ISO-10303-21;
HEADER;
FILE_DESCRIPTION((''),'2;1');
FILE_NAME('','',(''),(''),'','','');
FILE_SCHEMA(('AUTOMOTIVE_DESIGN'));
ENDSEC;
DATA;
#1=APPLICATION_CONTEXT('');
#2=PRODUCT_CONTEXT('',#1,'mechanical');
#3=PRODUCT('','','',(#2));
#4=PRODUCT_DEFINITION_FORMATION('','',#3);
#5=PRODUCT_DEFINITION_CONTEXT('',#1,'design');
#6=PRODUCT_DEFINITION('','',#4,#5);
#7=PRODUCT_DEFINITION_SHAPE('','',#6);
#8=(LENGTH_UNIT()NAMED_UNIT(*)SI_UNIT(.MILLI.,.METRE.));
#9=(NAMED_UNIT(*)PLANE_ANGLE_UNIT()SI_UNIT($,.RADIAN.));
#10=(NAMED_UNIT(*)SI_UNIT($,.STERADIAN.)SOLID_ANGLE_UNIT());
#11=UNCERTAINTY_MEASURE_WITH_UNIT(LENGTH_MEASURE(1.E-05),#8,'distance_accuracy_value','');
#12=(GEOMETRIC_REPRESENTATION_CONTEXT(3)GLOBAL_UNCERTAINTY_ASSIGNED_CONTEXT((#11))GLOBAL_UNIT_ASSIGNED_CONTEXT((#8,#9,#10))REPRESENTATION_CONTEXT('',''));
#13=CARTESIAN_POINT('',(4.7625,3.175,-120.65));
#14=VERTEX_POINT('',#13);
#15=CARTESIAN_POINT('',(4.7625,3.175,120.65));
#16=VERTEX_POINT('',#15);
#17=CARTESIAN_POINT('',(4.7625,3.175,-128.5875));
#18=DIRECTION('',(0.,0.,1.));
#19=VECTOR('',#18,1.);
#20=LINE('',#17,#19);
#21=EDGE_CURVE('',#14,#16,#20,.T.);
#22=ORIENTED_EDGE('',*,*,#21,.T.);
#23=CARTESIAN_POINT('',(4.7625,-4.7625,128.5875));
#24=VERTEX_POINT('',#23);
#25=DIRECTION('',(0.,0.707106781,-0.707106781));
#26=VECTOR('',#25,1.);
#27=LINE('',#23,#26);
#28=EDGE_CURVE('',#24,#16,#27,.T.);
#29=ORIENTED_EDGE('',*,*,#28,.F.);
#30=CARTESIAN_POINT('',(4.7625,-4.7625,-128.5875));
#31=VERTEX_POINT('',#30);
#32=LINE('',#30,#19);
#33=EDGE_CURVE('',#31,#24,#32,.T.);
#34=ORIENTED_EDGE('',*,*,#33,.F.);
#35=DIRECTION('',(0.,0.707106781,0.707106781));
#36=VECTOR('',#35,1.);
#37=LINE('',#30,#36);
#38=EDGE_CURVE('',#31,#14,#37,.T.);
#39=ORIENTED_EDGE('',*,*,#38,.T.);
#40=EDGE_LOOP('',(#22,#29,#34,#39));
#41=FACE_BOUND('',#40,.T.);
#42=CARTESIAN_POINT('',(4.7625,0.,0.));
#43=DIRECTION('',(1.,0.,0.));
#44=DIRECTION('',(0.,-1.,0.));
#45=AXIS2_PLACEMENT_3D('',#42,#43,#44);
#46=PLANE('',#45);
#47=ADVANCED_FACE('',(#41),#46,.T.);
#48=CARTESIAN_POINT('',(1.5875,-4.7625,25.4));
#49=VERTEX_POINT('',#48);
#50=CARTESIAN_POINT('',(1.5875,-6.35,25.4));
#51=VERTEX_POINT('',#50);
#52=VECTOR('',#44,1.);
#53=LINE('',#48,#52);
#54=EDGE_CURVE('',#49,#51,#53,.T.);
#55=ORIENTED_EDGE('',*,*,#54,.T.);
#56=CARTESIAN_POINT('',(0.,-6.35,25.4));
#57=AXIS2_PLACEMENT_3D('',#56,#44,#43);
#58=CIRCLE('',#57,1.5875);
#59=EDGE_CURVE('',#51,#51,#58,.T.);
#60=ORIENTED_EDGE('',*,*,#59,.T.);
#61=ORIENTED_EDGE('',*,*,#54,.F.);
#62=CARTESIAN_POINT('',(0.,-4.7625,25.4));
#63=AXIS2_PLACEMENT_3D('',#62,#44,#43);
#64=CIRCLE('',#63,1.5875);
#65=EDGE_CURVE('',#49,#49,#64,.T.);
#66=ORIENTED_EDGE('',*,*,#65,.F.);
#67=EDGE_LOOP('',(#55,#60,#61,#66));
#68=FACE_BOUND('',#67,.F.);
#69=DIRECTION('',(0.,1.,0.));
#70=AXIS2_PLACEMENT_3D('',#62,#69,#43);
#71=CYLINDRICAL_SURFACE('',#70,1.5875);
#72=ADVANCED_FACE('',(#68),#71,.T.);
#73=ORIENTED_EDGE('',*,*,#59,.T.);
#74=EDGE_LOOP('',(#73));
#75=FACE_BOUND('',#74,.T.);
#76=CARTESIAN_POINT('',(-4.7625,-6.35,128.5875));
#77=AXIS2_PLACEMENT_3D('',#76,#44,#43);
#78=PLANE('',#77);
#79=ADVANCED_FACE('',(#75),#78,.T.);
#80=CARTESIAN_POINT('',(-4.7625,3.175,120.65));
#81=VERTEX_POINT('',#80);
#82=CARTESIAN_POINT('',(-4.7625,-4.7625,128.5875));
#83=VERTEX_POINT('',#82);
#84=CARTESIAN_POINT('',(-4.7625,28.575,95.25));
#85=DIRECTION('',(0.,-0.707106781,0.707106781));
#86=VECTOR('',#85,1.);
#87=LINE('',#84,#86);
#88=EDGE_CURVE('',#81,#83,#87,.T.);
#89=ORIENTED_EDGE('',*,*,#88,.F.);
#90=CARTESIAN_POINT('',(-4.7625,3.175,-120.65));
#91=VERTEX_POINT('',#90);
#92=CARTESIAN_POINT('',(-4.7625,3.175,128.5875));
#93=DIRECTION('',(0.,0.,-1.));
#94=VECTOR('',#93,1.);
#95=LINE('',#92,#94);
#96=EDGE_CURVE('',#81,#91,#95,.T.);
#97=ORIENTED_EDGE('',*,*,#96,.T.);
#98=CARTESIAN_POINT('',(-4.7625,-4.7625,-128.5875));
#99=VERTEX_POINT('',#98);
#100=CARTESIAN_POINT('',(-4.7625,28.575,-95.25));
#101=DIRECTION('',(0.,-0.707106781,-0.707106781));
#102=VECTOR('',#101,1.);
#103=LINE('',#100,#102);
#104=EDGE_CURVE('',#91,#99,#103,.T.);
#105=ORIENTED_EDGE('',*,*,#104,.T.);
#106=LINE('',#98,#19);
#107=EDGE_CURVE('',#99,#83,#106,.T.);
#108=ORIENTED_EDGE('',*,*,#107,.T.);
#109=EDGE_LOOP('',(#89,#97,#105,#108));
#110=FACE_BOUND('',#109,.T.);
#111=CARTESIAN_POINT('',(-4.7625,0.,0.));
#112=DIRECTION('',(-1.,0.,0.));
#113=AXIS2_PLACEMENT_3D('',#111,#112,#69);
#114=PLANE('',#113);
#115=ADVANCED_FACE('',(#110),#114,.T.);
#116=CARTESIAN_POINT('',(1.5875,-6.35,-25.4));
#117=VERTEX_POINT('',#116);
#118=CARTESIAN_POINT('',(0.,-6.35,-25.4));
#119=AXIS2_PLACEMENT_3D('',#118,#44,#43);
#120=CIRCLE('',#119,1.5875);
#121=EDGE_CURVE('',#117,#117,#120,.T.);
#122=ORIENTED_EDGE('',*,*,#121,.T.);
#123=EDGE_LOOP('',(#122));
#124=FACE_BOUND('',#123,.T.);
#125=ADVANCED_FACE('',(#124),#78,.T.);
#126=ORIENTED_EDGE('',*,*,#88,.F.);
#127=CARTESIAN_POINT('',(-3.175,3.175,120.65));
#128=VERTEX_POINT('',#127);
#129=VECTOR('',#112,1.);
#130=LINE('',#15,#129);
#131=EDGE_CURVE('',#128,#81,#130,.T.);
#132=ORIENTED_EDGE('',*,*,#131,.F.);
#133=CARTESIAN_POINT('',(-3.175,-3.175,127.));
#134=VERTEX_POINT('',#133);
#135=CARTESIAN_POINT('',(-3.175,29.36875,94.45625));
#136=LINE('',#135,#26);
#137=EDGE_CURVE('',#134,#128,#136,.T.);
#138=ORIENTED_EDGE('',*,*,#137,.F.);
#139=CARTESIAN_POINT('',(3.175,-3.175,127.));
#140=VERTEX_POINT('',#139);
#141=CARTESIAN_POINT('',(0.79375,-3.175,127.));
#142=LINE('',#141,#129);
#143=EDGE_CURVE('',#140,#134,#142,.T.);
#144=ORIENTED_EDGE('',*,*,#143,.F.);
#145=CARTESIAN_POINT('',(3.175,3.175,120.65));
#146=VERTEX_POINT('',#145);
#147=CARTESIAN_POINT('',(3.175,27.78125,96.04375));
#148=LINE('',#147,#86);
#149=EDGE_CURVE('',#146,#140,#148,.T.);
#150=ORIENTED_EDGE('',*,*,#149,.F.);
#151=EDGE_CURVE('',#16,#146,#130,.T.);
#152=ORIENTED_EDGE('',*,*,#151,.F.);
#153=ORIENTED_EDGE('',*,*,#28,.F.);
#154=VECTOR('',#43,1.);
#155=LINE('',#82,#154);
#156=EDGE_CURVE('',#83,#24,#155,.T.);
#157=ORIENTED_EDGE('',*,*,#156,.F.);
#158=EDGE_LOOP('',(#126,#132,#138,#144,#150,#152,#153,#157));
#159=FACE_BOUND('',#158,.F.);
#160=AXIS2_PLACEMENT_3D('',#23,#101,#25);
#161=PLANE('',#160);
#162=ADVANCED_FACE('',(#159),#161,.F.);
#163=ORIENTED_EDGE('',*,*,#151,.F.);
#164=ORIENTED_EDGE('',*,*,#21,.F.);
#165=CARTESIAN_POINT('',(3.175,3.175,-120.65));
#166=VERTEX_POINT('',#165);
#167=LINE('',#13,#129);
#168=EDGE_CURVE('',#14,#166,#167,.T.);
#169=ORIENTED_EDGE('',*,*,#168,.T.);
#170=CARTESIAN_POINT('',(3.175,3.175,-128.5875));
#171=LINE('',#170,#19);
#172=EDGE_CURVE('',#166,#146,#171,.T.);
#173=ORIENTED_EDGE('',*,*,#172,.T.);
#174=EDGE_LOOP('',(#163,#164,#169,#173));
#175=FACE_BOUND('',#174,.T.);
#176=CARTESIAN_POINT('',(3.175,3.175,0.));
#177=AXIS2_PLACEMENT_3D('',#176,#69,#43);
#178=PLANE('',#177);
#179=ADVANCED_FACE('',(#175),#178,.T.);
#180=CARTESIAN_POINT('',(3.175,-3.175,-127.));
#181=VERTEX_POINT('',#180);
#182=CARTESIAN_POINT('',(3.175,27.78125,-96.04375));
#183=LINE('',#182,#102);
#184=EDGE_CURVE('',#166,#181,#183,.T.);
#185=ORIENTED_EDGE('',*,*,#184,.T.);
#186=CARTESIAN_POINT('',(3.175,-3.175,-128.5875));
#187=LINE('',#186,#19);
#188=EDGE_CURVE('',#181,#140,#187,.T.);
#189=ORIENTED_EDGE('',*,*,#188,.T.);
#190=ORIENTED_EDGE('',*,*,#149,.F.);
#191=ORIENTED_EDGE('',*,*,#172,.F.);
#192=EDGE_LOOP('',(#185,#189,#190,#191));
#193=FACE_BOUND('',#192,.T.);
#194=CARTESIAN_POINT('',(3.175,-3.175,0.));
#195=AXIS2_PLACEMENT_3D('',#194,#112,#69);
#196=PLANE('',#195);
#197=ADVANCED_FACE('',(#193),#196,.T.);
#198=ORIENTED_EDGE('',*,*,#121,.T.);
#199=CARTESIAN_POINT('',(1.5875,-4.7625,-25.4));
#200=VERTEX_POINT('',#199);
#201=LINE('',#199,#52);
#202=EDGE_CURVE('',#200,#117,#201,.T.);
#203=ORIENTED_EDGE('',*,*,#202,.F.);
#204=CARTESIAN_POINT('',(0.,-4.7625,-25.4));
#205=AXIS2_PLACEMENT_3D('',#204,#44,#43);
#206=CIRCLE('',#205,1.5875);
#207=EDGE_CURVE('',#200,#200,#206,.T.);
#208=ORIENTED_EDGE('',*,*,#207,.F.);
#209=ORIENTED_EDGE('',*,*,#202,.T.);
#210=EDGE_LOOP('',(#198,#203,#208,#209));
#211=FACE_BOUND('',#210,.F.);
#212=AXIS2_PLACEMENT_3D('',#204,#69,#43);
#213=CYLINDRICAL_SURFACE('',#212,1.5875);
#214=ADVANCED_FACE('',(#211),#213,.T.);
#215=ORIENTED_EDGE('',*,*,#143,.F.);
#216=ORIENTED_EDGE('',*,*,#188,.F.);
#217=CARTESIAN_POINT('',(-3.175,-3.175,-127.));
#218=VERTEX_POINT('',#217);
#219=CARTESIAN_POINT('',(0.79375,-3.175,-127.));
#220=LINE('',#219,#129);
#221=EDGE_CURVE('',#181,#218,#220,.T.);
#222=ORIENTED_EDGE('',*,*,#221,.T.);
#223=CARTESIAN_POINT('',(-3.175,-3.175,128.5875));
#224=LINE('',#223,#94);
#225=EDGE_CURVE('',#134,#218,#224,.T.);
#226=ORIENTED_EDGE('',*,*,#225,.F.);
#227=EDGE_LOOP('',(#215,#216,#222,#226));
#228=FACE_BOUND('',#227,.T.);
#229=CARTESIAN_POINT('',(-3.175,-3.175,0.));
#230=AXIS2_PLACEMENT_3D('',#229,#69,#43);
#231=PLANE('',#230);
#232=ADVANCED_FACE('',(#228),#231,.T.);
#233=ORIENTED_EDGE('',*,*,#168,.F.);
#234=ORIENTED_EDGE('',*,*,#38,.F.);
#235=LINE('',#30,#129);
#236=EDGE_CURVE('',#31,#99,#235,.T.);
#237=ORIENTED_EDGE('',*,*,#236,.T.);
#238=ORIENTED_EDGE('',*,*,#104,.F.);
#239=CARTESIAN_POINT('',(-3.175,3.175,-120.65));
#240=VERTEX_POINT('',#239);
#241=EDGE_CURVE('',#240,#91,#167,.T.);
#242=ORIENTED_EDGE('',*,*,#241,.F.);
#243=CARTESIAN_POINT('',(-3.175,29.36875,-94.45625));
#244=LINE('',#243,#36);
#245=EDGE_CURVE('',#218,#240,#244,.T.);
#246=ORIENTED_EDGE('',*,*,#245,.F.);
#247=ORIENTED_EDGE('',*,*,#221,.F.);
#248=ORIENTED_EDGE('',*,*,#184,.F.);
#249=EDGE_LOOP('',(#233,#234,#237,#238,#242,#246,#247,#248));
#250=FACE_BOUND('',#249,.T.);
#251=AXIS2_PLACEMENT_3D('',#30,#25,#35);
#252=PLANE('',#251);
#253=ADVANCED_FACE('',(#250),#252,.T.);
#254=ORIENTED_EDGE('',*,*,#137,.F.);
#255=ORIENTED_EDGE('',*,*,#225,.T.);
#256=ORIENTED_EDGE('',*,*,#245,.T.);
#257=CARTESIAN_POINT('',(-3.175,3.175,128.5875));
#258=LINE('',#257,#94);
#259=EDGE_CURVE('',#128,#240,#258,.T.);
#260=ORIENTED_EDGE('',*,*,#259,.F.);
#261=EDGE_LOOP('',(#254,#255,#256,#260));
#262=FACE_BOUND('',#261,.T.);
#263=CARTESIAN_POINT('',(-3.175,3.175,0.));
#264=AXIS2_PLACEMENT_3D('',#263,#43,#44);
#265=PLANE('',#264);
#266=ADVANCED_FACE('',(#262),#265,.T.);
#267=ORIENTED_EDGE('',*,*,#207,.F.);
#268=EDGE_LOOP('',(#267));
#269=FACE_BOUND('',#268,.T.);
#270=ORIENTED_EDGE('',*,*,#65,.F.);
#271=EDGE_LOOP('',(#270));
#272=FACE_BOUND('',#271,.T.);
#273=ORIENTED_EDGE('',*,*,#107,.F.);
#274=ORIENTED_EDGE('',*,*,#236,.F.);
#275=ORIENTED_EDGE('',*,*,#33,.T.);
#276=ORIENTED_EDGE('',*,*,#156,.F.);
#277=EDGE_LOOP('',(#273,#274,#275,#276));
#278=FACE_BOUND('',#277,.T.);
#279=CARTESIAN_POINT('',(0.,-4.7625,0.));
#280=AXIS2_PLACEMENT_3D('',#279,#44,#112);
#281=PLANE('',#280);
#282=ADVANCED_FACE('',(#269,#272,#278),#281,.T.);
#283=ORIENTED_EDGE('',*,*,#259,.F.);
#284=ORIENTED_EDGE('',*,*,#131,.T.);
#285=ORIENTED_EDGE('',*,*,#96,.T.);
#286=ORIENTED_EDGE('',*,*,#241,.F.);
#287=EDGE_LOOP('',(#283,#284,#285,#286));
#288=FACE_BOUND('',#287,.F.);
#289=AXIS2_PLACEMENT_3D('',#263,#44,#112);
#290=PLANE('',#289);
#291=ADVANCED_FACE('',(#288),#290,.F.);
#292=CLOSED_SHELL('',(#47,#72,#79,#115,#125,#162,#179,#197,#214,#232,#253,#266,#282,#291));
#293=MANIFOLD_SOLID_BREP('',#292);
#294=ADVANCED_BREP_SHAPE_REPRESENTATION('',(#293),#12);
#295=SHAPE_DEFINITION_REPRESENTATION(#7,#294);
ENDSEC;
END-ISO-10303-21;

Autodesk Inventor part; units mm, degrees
ref_plane "YZ Plane" through (0, 0, 0) normal (1, 0, 0) x (0, 1, 0)
ref_plane "XZ Plane" through (0, 0, 0) normal (0, 1, 0) x (-1, 0, 0)
ref_plane "XY Plane" through (0, 0, 0) normal (0, 0, 1) x (1, 0, 0)
sketch "Sketch1" plane through (0, 0, 0) normal (0, 0, 1) x (1, 0, 0)
  line L0 (-6.6675, 0) -> (6.6675, 0) projected
  line L1 (0, -6.35) -> (0, 4.7625) projected
  line L2 (-3.175, 3.175) -> (-3.175, -3.175)
  line L3 (-3.175, -3.175) -> (3.175, -3.175)
  line L4 (3.175, -3.175) -> (3.175, 3.175)
  line L5 (4.7625, 3.175) -> (4.7625, -4.7625)
  line L6 (4.7625, -4.7625) -> (-4.7625, -4.7625)
  line L7 (-4.7625, -4.7625) -> (-4.7625, 3.175)
  line L8 (-3.175, 3.175) -> (-4.7625, 3.175)
  line L9 (3.175, 3.175) -> (4.7625, 3.175)
  point P0 (0, 0)
  point P1 (0, -3.175)
  point P2 (-3.175, 0)
  dimension "d0" = 1.5875
  dimension "d1" = 6.35
  dimension "d2" = 6.35
extrude "Extrusion1" add sketch "Sketch1" along normal mid plane 257.175 contours L7 L8 L2 L0 | L0 L2 L3 L1 L6 L7 | L1 L3 L4 L0 L5 L6 | L4 L9 L5 L0
sketch "Sketch2" plane through (4.7625, -4.7625, 128.5875) normal (1, 0, 0) x (0, 0, -1)
  line L0 (0, 7.9375) -> (0, 0) projected
  line L1 (0, 0) -> (257.175, 0) projected
  line L2 (0, 7.9375) -> (257.175, 7.9375) projected
  line L3 (0, 0) -> (7.9375, 7.9375)
  line L4 (7.9375, 7.9375) -> (0, 7.9375)
  line L5 (0, 7.9375) -> (0, 0)
  line L6 (128.5875, 7.9375) -> (128.5875, 0) construction
  line L7 (257.175, 7.9375) -> (257.175, 0)
  line L8 (257.175, 0) -> (249.2375, 7.9375)
  line L9 (257.175, 7.9375) -> (249.2375, 7.9375)
  line L10 (7.9375, 7.9375) -> (0, 7.9375)
  point P0 (128.5875, 4.7625)
  dimension "d5" = 45
extrude "Extrusion2" cut sketch "Sketch2" against normal through all contours L2 L3 L0 | L8 L2 L7
sketch "Sketch4" plane through (-4.7625, -4.7625, 128.5875) normal (0, -1, 0) x (1, 0, 0)
  circle A0 centre (4.7625, -103.1875) radius 1.5875
  circle A1 centre (4.7625, -153.9875) radius 1.5875
  point P0 (4.7625, -128.5875)
  dimension "d12" = 3.175
  dimension "d13" = 25.4
  dimension "d14" = 25.4
extrude "Extrusion4" add sketch "Sketch4" along normal blind 1.5875
equation "\"d14\" = d13"
properties part number "c-channel template" material "Aluminum-6061"
